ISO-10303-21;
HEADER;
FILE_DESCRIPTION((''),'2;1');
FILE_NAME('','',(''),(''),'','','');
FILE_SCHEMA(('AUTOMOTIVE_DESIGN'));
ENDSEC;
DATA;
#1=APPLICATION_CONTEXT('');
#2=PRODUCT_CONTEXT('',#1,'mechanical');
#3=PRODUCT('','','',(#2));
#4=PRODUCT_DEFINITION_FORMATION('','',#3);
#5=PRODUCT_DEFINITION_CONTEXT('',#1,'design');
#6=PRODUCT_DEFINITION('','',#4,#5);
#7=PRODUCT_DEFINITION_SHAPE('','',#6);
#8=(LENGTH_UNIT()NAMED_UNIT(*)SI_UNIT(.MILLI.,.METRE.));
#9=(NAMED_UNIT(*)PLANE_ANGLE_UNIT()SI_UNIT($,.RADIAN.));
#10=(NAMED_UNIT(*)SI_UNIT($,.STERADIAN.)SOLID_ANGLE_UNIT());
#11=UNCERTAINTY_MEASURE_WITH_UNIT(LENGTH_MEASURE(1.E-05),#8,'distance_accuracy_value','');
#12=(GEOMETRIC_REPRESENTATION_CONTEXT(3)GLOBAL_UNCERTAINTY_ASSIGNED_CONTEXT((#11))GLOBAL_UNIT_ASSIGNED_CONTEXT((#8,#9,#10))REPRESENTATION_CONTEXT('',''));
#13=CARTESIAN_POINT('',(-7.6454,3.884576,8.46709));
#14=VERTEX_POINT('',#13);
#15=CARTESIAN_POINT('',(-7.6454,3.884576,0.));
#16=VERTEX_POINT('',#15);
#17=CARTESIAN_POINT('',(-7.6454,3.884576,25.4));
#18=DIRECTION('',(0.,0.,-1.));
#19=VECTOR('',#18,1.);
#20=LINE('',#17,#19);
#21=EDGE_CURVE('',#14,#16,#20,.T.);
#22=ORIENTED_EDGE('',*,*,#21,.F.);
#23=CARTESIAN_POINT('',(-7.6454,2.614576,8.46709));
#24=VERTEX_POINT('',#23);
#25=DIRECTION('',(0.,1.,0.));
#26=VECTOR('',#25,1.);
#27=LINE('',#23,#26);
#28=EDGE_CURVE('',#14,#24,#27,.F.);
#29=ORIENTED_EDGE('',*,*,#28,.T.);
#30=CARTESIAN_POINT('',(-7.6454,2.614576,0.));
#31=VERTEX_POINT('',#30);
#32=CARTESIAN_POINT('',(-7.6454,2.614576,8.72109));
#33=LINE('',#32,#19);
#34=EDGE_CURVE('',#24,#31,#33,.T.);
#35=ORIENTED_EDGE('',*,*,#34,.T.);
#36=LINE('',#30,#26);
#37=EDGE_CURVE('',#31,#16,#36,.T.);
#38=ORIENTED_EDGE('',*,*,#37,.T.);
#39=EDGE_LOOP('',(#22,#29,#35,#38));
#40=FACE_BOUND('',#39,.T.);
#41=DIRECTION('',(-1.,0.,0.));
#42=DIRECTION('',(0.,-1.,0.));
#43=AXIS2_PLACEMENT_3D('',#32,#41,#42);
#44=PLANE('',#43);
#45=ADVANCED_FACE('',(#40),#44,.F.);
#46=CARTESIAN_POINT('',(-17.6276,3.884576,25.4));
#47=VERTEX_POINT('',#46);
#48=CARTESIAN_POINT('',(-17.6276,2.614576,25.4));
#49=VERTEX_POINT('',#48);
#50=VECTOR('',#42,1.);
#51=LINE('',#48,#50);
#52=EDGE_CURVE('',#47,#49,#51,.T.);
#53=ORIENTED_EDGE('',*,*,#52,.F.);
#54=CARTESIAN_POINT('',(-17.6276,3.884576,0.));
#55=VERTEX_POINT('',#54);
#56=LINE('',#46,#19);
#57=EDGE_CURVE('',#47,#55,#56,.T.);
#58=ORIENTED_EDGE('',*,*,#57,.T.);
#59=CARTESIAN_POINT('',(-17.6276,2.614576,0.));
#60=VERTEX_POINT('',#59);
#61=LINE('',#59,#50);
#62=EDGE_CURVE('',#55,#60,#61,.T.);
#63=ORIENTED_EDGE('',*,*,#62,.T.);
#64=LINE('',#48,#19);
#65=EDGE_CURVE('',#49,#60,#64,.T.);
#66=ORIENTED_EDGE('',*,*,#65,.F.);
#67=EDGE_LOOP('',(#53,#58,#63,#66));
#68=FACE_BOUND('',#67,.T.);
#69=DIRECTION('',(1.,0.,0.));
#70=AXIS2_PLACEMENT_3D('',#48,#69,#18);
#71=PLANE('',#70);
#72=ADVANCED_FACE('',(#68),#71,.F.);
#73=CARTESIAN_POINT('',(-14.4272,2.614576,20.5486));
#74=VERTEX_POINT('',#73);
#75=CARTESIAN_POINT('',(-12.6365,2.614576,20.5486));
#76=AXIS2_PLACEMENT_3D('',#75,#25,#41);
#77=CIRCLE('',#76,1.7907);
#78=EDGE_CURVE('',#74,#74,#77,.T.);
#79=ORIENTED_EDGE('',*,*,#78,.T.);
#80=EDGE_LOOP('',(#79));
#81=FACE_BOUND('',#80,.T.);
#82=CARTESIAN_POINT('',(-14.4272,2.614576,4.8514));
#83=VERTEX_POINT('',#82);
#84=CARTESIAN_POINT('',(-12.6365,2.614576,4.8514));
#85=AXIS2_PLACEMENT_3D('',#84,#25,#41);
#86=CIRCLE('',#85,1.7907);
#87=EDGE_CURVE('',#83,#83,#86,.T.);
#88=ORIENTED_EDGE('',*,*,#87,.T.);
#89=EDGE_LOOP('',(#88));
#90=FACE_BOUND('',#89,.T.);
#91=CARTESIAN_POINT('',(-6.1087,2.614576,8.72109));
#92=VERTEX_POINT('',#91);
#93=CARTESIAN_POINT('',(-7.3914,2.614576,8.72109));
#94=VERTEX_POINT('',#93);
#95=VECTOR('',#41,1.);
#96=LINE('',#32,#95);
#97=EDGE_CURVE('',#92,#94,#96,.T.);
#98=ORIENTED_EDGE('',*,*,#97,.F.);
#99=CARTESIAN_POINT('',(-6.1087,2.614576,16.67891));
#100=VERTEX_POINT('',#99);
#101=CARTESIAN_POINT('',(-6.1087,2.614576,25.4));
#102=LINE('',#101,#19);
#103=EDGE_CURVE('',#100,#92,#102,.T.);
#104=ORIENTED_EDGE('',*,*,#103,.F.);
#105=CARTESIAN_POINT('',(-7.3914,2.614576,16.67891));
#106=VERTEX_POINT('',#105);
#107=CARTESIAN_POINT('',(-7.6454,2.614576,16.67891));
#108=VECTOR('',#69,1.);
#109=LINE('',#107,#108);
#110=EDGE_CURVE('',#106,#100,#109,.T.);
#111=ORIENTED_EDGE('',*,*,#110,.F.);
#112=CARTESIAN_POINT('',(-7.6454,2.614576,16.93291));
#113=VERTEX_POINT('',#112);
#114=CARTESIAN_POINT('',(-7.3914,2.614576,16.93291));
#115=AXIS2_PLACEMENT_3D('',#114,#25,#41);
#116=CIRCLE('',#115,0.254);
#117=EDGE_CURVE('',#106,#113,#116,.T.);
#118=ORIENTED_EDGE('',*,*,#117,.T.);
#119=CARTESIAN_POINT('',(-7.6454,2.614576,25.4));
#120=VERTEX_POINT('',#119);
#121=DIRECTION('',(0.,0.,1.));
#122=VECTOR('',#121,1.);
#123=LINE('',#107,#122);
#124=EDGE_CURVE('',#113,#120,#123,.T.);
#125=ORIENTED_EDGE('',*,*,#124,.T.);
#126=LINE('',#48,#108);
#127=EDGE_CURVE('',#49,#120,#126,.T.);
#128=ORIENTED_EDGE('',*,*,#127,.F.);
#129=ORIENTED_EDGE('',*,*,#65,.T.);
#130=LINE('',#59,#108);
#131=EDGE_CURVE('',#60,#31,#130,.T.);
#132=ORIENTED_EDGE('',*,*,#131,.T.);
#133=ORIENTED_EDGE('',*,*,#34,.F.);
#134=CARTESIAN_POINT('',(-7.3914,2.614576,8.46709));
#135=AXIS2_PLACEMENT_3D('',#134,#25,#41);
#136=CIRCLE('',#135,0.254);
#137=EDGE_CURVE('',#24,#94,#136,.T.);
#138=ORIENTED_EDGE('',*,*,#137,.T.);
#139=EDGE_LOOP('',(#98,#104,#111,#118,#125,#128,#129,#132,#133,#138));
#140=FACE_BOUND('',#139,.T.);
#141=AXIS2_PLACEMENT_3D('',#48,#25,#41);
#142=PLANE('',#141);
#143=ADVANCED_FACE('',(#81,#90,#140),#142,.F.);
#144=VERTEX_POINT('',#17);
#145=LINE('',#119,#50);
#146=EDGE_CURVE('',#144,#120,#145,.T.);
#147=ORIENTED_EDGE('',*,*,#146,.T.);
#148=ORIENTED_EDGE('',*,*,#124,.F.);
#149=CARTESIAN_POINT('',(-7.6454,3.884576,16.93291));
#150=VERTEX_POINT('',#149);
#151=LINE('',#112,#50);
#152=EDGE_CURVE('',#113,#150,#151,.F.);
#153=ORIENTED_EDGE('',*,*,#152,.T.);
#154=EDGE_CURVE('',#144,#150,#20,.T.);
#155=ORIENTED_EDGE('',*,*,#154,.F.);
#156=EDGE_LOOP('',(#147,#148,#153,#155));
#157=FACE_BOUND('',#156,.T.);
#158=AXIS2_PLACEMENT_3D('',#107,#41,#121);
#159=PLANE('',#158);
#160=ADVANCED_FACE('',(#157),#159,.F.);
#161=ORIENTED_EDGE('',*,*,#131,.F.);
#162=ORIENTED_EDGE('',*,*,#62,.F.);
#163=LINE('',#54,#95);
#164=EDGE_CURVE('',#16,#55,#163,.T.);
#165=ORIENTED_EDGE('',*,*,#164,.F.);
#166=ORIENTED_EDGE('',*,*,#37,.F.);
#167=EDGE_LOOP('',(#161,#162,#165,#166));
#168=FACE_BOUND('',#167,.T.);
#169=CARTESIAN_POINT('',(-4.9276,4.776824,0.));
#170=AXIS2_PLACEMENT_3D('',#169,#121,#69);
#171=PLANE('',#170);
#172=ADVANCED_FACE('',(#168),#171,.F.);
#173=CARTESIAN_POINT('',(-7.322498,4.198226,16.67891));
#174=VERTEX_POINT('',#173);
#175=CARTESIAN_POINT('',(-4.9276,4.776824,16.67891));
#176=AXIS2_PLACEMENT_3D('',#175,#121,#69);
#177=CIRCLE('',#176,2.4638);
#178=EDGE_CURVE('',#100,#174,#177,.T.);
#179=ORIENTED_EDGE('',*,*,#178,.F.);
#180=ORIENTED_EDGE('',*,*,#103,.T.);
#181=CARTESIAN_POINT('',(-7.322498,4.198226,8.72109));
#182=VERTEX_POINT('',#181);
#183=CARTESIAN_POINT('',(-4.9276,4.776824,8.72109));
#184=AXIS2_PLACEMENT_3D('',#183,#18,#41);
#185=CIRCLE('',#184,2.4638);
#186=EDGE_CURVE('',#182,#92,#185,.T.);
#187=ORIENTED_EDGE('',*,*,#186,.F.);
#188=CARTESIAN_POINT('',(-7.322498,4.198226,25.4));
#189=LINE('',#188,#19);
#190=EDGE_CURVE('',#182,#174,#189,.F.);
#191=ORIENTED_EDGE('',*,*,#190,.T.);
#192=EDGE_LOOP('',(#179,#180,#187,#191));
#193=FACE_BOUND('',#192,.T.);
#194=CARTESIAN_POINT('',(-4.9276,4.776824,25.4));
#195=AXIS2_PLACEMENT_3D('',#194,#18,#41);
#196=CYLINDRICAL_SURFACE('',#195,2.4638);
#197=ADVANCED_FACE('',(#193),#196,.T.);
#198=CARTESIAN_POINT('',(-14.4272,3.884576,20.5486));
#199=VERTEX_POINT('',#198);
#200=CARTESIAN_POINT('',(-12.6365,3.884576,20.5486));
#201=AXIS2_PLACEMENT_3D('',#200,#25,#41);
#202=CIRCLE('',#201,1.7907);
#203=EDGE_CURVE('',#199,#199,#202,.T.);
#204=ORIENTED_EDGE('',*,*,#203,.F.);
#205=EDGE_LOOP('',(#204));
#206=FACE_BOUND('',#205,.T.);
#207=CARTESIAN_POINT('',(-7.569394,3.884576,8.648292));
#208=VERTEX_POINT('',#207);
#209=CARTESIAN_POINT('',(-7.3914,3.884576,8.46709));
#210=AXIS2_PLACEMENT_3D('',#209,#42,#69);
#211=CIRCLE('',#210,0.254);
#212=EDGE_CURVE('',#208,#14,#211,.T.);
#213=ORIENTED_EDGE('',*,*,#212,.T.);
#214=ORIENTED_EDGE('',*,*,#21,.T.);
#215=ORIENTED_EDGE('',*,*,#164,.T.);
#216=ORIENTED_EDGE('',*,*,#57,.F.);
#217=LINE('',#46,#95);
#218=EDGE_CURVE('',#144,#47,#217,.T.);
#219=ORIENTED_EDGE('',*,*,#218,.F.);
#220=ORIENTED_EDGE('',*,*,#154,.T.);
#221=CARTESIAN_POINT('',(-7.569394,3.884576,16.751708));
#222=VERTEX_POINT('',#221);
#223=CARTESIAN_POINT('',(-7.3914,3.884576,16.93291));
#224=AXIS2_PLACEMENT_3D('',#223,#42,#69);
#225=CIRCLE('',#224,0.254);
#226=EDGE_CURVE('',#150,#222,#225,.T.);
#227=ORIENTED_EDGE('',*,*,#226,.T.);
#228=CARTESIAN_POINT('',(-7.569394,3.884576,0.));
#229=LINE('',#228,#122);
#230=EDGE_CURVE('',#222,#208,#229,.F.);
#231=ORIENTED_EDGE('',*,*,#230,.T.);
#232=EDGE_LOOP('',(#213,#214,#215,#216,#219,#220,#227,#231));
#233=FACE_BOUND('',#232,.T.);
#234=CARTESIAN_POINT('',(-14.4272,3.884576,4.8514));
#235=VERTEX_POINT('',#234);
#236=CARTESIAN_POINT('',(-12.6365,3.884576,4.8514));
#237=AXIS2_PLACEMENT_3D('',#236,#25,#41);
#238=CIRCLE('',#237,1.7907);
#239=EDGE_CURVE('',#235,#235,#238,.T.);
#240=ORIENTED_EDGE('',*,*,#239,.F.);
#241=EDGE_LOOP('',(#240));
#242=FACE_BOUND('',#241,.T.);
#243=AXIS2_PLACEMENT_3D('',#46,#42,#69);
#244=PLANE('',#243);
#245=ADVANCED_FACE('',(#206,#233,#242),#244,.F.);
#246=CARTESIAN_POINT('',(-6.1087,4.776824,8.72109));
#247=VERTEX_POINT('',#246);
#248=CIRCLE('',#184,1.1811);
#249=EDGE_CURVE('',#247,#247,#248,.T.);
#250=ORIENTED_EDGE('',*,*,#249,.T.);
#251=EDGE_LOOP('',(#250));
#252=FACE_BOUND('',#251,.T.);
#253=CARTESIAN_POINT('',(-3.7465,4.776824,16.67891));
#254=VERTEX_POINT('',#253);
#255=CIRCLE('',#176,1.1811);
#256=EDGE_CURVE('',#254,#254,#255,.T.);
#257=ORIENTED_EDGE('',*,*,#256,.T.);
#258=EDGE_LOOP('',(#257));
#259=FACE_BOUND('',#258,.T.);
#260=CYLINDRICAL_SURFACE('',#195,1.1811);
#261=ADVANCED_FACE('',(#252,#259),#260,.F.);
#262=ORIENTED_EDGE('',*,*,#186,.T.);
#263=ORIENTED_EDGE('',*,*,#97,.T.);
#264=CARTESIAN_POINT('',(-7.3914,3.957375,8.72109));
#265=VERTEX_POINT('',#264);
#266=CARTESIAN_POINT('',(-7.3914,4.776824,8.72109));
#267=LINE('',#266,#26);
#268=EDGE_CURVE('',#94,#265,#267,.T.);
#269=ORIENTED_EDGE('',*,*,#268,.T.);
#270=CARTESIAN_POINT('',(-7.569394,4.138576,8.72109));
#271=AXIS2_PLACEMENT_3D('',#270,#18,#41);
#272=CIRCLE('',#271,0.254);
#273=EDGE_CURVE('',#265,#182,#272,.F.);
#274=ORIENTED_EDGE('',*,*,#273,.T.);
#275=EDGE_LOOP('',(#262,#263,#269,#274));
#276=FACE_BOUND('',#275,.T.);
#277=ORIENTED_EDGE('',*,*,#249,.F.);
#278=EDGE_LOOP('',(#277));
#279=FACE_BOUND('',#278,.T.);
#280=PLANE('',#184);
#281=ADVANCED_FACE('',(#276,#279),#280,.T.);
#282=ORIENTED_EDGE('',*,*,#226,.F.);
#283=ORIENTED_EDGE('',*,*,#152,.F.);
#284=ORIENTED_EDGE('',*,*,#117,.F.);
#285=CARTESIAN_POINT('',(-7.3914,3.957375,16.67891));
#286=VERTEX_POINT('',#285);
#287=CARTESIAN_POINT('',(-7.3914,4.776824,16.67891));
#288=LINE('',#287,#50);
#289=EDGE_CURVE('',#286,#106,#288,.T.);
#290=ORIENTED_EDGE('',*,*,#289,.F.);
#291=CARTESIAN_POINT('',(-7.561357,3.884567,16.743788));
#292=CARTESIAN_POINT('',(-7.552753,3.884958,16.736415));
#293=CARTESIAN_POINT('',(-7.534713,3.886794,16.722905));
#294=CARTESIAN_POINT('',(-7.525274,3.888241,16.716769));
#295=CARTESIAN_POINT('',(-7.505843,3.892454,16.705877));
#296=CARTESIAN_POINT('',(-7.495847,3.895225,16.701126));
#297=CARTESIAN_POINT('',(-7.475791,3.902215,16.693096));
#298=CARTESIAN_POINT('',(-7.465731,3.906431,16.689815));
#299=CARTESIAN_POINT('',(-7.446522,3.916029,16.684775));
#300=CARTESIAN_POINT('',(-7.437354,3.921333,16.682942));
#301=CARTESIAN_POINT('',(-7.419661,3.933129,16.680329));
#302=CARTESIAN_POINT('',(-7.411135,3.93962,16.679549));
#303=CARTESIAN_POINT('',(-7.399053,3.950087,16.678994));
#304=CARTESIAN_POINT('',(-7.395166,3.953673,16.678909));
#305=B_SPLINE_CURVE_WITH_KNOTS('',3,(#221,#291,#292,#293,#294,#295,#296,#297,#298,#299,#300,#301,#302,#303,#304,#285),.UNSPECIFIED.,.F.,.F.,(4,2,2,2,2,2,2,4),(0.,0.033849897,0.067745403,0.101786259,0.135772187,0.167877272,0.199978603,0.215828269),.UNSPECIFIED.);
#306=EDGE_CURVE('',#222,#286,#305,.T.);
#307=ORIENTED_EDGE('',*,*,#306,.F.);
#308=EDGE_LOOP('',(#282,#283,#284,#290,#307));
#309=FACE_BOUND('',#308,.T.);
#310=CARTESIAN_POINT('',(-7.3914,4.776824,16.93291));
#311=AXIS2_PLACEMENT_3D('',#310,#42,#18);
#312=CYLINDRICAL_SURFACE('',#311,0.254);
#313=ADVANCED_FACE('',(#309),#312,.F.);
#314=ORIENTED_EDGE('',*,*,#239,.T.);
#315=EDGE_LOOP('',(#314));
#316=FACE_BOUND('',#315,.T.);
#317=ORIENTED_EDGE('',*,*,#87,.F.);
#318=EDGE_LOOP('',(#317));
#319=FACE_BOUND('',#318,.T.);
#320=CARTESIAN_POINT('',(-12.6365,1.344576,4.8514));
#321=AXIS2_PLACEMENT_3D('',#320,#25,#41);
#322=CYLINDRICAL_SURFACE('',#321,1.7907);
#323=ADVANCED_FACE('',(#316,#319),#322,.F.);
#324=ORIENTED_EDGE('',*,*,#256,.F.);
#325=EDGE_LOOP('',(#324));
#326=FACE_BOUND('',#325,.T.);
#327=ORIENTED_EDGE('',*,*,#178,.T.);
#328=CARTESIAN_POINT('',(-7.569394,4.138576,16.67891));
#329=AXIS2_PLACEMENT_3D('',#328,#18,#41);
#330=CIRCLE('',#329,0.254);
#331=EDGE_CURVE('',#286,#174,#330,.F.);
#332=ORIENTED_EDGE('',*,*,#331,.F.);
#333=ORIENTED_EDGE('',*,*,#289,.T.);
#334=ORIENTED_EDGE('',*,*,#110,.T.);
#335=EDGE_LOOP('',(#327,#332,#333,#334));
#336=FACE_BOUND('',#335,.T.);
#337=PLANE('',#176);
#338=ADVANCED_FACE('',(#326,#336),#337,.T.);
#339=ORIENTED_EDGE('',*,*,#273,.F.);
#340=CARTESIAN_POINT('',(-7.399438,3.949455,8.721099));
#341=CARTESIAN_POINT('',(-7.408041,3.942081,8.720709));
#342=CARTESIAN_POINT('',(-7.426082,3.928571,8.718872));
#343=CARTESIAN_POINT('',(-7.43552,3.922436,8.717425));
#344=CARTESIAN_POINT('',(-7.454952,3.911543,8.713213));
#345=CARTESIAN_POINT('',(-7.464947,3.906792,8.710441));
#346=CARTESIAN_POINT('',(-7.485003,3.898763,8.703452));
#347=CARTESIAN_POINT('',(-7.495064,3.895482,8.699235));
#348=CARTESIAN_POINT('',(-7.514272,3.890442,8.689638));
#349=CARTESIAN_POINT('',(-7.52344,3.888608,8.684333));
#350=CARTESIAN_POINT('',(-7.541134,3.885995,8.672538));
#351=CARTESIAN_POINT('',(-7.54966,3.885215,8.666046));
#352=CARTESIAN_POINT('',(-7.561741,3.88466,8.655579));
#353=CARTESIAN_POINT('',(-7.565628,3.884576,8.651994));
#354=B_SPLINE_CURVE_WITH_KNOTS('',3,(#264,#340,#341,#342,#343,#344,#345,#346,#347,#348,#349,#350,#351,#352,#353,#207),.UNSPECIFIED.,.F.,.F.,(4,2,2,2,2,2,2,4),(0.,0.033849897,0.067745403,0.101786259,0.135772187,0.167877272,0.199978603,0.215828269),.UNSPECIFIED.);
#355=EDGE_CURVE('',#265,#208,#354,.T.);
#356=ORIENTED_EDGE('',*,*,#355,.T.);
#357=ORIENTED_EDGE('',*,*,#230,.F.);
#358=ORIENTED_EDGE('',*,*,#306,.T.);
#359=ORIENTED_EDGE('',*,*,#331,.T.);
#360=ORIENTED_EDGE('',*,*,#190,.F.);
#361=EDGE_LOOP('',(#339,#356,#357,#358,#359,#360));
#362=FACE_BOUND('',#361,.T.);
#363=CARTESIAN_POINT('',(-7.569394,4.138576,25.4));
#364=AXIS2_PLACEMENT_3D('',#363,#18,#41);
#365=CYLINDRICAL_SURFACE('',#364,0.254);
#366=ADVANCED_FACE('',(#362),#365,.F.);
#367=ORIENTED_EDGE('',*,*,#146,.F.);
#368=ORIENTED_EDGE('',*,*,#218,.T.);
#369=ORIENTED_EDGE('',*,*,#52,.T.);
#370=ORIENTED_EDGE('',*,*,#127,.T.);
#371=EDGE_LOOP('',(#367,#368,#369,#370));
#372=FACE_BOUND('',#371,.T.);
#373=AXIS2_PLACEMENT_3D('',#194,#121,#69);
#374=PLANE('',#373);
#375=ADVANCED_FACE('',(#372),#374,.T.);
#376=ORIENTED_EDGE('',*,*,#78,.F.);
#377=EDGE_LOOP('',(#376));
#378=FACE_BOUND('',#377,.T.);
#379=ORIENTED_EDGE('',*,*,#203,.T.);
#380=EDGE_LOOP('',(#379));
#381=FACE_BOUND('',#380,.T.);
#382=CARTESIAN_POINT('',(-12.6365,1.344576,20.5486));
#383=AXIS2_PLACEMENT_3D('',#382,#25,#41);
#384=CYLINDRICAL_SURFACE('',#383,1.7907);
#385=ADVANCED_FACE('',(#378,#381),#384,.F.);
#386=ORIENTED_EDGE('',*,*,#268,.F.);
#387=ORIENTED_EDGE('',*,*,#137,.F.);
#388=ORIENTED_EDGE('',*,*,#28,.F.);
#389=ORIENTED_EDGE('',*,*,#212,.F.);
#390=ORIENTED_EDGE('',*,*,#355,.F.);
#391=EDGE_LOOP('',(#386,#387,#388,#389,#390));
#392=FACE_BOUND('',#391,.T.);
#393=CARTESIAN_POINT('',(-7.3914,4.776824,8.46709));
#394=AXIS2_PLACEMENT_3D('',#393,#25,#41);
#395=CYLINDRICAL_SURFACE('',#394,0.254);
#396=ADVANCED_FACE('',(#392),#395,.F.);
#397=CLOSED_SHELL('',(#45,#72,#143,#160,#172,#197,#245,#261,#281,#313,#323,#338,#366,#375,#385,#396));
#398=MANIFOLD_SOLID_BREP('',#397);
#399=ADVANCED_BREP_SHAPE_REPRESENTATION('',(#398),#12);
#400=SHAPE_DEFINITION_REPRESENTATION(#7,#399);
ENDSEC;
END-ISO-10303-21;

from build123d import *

# Parameters (mm, degrees)
SKETCH1_R           = 1.1811
BOSS_EXTRUDE1_DEPTH = 25.4
FILLET2_R           = 0.254
SKETCH2_R           = 2.4638
CUT_EXTRUDE1_DEPTH  = 8.72109
SKETCH3_R           = 2.4638
CUT_EXTRUDE2_DEPTH  = 8.72109
SKETCH5_W           = 1.7273194
SKETCH5_H           = 1.763863254
CUT_EXTRUDE3_DEPTH  = 8.72109
SKETCH6_W           = 1.964621561
SKETCH6_H           = 1.893145227
CUT_EXTRUDE4_DEPTH  = 8.72109
FILLET3_R           = 0.254
FILLET4_R           = 0.254
SKETCH7_R           = 1.7907
CUT_EXTRUDE5_DEPTH  = 2.54


with BuildPart() as part:
    # Sketch1 → Boss-Extrude1 (new body)
    with BuildSketch(Plane.XY):
        with BuildLine():
            Line((-17.6276, 2.614576368), (-17.6276, 3.884576368))
            Line((-17.6276, 3.884576368), (-7.224163794, 3.884576368))
            ThreePointArc((-7.224163794, 3.884576368), (-3.076448638, 6.402723098), (-6.1087, 2.614576368))
            Line((-6.1087, 2.614576368), (-17.6276, 2.614576368))
        make_face()
        with Locations((-4.9276, 4.776823632)):
            Circle(SKETCH1_R, mode=Mode.SUBTRACT)
    extrude(amount=BOSS_EXTRUDE1_DEPTH)

    # Fillet2
    fillet2_edges = [part.edges().sort_by_distance(p)[0] for p in [
        (-7.224163794, 3.884576368, 12.7),
    ]]
    fillet(fillet2_edges, radius=FILLET2_R)

    # Sketch2 → Cut-Extrude1 (cut)
    with BuildSketch(Plane(origin=(0, 0, 0), x_dir=(-1, 0, 0), z_dir=(0, 0, -1))):
        with Locations((4.9276, 4.776823632)):
            Circle(SKETCH2_R)
    extrude(amount=-CUT_EXTRUDE1_DEPTH, mode=Mode.SUBTRACT)

    # Sketch3 → Cut-Extrude2 (cut)
    with BuildSketch(Plane.XY.offset(25.4)):
        with Locations((-4.9276, 4.776823632)):
            Circle(SKETCH3_R)
    extrude(amount=-CUT_EXTRUDE2_DEPTH, mode=Mode.SUBTRACT)

    # Sketch5 → Cut-Extrude3 (cut)
    with BuildSketch(Plane(origin=(0, 0, 0), x_dir=(-1, 0, 0), z_dir=(0, 0, -1))):
        with Locations((6.7817403, 3.496507995)):
            Rectangle(SKETCH5_W, SKETCH5_H)
    extrude(amount=-CUT_EXTRUDE3_DEPTH, mode=Mode.SUBTRACT)

    # Sketch6 → Cut-Extrude4 (cut)
    with BuildSketch(Plane.XY.offset(25.4)):
        with Locations((-6.663089219, 3.561148982)):
            Rectangle(SKETCH6_W, SKETCH6_H)
    extrude(amount=-CUT_EXTRUDE4_DEPTH, mode=Mode.SUBTRACT)

    # Fillet3
    fillet3_edges = [part.edges().sort_by_distance(p)[0] for p in [
        (-7.6454, 3.249576368, 16.67891),
    ]]
    fillet(fillet3_edges, radius=FILLET3_R)

    # Fillet4
    fillet4_edges = [part.edges().sort_by_distance(p)[0] for p in [
        (-7.6454, 3.249576368, 8.72109),
    ]]
    fillet(fillet4_edges, radius=FILLET4_R)

    # Sketch7 → Cut-Extrude5 (cut)
    with BuildSketch(Plane(origin=(0, 3.884576368, 0), x_dir=(1, 0, 0), z_dir=(0, 1, 0))):
        with Locations((-12.6365, -4.8514)):
            Circle(SKETCH7_R)
        with Locations((-12.6365, -20.5486)):
            Circle(SKETCH7_R)
    extrude(amount=-CUT_EXTRUDE5_DEPTH, mode=Mode.SUBTRACT)


solid = part.part
